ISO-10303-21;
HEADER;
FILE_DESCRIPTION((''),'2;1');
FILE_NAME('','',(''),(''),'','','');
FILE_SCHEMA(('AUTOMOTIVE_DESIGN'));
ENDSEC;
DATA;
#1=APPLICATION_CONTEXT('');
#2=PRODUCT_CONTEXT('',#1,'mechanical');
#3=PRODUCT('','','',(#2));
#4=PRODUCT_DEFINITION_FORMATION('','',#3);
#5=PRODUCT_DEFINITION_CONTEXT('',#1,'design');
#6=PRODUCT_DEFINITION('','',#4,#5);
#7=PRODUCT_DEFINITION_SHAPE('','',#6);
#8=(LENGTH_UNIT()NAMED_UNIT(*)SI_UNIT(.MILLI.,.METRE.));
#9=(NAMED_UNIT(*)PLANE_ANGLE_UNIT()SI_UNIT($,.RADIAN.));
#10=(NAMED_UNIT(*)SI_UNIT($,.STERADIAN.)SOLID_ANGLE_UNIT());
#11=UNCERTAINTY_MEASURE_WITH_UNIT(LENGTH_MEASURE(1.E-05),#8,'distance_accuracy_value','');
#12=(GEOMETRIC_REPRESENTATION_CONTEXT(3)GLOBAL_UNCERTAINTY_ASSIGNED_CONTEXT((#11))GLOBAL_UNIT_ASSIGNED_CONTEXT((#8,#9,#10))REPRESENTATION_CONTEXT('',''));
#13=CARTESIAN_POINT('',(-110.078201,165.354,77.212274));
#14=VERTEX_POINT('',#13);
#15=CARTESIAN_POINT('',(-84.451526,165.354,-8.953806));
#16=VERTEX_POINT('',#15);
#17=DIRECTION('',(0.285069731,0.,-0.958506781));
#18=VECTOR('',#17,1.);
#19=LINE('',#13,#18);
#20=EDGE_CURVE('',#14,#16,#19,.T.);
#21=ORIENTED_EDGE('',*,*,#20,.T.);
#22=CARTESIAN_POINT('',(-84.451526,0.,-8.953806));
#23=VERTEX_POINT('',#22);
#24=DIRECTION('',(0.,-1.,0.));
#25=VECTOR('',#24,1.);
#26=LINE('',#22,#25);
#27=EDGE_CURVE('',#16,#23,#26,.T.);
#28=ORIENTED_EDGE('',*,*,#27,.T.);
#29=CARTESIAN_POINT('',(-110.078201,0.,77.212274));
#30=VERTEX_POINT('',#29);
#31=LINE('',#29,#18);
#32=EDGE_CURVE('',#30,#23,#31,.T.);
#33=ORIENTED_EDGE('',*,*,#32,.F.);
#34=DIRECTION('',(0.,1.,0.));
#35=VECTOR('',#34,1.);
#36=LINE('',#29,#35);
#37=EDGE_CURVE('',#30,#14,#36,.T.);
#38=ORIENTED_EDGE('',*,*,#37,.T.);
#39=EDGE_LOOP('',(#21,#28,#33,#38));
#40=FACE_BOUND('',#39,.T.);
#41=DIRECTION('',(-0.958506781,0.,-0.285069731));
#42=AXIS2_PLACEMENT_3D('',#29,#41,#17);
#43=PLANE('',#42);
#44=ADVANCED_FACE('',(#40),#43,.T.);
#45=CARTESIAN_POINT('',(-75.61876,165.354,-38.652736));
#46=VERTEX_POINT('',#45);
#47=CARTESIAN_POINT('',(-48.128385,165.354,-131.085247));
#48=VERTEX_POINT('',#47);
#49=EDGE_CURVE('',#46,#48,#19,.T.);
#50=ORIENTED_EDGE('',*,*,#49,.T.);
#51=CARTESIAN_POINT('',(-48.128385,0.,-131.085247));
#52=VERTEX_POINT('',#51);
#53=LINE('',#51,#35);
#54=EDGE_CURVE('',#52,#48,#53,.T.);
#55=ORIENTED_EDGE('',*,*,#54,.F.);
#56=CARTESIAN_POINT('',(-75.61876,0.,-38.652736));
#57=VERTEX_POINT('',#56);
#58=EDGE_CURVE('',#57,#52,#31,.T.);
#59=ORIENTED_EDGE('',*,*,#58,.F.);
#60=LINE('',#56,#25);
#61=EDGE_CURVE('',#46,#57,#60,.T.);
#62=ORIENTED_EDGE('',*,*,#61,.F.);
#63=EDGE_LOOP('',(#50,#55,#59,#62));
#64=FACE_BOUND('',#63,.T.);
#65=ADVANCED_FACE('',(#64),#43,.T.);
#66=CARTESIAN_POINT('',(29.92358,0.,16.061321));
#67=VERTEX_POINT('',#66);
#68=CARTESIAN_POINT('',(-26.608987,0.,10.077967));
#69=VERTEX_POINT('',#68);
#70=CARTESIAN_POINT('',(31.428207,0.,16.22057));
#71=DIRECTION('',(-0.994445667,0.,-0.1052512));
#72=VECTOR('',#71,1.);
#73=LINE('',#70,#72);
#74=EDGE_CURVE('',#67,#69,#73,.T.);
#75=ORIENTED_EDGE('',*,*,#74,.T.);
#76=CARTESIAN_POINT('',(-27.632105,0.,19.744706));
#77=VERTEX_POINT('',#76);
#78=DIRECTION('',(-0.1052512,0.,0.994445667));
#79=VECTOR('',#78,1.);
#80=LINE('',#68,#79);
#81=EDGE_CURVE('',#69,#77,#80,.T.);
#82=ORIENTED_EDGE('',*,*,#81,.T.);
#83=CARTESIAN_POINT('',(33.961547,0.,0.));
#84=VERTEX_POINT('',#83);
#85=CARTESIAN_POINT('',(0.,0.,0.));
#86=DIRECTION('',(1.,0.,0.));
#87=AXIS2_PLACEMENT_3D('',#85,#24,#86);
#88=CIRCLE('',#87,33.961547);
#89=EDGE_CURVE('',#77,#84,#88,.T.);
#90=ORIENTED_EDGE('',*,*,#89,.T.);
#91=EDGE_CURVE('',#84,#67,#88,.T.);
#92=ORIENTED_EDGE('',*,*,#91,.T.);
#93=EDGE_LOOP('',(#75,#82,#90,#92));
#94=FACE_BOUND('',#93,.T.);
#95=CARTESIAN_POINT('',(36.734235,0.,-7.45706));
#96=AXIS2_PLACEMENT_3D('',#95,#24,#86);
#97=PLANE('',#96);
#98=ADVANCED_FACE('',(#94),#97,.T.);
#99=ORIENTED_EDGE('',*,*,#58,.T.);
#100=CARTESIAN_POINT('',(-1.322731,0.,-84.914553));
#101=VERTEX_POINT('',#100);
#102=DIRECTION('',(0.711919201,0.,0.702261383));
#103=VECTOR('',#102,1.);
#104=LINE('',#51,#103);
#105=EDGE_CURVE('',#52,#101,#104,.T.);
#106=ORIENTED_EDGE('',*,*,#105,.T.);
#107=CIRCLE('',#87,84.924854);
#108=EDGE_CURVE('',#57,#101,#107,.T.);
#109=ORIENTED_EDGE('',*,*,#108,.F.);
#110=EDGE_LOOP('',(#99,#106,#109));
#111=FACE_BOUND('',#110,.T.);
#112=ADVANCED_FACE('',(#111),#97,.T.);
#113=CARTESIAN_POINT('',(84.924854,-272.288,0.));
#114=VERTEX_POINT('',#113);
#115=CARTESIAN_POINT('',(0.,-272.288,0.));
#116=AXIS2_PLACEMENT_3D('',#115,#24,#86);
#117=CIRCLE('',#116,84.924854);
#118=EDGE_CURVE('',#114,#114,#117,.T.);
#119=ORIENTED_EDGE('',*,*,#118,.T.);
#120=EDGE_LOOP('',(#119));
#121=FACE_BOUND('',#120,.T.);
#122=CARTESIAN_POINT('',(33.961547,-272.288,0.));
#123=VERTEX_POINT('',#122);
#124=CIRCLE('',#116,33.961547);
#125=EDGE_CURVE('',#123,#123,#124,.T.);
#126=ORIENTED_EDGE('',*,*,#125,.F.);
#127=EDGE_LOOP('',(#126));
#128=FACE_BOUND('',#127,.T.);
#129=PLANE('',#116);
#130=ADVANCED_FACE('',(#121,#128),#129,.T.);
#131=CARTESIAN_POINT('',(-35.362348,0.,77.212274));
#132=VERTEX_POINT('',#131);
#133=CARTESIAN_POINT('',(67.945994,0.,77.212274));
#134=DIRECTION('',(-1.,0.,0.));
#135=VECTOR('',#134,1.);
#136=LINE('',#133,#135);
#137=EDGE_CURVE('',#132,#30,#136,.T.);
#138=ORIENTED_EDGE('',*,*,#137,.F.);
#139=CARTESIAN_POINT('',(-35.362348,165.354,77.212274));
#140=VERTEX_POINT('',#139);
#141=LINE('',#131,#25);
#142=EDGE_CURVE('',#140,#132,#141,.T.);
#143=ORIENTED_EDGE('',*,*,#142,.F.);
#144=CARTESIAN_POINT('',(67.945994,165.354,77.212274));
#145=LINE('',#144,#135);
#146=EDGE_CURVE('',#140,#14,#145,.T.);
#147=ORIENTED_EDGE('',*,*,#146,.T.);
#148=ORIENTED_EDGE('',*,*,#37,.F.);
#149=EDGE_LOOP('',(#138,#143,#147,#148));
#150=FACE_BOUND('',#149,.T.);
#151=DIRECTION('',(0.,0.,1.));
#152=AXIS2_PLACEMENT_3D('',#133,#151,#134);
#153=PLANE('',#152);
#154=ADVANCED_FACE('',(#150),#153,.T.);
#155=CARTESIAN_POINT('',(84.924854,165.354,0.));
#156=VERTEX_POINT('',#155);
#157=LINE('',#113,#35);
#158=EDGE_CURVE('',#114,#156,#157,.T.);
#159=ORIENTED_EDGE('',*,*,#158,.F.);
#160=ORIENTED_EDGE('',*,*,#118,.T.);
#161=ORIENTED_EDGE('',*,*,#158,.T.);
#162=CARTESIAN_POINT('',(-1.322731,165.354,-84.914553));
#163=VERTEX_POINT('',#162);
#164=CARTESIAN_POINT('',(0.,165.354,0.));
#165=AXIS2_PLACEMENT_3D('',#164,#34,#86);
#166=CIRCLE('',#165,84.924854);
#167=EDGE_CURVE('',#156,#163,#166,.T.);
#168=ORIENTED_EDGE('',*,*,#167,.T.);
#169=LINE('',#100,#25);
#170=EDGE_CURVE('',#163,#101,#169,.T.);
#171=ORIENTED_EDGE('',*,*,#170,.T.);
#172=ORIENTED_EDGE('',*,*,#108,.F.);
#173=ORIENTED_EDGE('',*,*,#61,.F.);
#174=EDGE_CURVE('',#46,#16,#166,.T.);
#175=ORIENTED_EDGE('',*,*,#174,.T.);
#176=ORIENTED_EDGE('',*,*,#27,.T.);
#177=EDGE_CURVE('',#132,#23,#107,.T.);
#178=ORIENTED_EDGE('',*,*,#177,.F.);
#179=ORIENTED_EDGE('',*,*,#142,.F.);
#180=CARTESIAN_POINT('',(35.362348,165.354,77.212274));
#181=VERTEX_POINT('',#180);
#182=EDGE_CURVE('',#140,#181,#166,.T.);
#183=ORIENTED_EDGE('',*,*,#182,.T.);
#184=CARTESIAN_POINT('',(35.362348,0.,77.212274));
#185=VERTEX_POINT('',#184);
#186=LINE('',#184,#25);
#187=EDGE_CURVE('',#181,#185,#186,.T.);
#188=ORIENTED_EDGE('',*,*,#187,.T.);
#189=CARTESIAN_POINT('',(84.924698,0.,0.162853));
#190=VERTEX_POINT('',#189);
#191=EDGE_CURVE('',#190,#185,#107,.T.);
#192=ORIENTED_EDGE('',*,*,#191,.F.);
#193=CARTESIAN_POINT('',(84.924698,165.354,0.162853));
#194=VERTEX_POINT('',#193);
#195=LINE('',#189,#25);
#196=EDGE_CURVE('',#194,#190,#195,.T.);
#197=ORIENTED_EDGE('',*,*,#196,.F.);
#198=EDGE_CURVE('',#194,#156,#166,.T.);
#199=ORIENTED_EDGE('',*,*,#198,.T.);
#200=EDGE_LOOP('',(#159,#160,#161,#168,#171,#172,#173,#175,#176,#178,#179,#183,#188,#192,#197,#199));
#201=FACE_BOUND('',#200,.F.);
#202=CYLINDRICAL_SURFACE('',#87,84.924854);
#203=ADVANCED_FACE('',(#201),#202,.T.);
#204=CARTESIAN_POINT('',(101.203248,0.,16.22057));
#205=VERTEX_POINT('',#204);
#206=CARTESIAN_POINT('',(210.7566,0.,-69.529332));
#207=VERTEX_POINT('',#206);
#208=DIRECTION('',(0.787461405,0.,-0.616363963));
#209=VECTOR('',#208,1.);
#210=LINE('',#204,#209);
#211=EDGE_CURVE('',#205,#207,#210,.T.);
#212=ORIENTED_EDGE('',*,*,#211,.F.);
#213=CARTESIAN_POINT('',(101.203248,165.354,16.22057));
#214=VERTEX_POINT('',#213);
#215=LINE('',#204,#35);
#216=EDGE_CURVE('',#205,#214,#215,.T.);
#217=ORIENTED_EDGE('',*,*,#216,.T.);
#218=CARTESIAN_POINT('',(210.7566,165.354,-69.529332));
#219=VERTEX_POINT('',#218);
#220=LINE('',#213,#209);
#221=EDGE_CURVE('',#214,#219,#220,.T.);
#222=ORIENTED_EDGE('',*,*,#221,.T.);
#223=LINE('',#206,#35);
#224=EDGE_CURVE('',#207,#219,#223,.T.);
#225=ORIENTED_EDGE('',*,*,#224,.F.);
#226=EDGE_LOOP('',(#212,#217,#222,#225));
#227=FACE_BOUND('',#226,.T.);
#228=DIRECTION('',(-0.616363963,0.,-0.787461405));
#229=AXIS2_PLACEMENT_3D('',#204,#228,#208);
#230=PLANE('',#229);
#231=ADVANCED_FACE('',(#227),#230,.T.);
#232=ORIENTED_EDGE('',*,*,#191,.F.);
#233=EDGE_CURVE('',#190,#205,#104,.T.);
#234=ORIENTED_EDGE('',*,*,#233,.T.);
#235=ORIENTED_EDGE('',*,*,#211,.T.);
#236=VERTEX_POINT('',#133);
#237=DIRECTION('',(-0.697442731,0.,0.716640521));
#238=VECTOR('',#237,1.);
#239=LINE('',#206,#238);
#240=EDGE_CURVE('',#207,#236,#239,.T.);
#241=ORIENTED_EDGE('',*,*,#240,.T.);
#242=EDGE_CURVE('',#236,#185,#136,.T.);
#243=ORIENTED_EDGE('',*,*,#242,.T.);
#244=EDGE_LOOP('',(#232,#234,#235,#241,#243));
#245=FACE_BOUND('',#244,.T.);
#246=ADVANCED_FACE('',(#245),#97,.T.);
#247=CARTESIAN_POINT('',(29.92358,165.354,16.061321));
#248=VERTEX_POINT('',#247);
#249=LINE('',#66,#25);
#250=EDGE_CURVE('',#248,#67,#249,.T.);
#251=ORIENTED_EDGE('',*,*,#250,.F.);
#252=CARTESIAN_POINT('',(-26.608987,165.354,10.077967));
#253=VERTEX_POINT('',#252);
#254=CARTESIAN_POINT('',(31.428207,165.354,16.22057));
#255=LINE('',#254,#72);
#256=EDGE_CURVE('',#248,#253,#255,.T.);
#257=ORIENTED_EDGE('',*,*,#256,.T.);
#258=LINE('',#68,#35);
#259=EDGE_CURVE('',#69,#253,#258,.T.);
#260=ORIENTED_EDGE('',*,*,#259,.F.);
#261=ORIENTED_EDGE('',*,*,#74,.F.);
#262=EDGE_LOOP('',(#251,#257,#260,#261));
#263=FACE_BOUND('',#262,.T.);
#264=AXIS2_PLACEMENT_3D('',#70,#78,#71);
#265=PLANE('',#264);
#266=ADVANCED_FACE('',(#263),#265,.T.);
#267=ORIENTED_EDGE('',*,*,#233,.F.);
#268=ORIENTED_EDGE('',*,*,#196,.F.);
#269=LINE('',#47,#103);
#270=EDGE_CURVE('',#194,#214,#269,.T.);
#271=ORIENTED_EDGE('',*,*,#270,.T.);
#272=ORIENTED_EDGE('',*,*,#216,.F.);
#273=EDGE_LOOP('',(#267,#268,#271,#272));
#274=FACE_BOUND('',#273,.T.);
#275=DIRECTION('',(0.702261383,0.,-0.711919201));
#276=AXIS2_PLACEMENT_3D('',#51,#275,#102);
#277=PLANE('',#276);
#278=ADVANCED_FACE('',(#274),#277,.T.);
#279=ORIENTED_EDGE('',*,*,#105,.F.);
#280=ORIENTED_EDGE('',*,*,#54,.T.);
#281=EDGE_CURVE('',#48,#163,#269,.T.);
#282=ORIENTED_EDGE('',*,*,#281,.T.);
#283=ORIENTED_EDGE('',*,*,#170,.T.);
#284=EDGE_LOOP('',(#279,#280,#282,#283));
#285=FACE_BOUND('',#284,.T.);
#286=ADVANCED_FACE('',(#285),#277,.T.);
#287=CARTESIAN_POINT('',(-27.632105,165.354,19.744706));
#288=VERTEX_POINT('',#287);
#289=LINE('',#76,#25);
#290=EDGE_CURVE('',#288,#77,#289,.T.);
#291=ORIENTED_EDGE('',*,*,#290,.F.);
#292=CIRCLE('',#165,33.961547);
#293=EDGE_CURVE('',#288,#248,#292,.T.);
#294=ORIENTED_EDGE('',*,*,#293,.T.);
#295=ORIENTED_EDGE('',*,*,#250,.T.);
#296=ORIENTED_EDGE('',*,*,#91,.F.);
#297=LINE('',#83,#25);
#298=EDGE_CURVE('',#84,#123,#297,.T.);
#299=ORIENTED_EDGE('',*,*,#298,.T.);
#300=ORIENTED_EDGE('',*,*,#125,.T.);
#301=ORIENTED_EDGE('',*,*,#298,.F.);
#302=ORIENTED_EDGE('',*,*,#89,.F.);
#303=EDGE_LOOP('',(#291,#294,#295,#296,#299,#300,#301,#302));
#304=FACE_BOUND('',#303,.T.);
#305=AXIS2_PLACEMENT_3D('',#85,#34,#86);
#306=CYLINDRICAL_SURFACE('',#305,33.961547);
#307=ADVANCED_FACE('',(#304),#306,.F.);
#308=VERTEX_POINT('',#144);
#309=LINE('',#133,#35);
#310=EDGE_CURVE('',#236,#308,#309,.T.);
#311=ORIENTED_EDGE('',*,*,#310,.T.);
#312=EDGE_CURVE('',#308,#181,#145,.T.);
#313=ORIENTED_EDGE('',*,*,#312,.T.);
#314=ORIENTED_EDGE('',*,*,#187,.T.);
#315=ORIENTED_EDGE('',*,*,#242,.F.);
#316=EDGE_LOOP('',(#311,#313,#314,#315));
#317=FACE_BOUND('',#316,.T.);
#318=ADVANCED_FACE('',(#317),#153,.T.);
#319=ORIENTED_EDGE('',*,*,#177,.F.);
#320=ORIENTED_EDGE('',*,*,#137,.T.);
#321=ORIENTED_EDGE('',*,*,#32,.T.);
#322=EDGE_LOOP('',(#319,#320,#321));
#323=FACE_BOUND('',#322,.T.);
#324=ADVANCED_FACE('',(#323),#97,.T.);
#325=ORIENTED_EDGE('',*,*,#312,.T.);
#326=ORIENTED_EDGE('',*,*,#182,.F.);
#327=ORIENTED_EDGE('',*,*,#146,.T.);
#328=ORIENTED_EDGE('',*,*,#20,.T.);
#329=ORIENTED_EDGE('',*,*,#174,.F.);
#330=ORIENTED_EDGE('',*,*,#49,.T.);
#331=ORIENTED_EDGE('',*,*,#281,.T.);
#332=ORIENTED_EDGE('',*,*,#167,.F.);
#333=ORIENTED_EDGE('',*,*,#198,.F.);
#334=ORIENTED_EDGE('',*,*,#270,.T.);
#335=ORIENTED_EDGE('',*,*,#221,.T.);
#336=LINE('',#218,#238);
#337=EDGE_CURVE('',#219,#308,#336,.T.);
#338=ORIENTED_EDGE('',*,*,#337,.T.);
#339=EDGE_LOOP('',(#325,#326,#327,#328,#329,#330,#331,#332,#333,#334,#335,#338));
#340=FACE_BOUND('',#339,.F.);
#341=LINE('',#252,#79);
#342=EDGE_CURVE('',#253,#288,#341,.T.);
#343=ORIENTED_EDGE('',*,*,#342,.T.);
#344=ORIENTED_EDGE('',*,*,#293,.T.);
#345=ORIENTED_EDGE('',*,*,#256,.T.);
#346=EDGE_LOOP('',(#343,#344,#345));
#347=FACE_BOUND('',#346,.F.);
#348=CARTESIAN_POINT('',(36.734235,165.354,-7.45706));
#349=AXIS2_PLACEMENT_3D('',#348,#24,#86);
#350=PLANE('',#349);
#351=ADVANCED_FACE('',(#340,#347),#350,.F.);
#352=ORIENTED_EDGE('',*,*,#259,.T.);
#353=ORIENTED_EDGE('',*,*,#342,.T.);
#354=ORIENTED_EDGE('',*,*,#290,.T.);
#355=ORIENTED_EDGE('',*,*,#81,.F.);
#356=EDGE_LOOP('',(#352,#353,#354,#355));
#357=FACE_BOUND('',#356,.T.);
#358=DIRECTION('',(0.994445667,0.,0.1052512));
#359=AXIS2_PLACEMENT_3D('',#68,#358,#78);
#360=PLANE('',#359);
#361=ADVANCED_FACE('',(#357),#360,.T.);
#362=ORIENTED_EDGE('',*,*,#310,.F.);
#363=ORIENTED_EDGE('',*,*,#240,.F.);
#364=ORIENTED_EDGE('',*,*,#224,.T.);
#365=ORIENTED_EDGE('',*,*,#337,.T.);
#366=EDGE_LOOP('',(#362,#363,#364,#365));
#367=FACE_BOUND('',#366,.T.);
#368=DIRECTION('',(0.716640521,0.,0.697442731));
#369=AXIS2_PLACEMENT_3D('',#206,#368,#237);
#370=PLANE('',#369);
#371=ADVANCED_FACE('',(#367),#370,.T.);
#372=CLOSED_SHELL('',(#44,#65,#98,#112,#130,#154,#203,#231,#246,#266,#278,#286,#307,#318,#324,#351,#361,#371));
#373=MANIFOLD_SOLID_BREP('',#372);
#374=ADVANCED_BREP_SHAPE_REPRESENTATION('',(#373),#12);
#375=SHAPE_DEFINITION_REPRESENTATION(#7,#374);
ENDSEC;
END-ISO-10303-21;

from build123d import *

# Parameters (mm, degrees)
F0_R        = 84.9248544657
F0_R_2      = 33.9615466557
F1_DEPTH    = 272.288
F1_FACE_R   = 84.9248544657
F1_FACE_R_2 = 33.9615466557
F3_DEPTH    = 165.354


with BuildPart() as f1:
    # F0 (on Front) → F1 (new body)
    with BuildSketch(Plane.XZ):
        Circle(F0_R)
        Circle(F0_R_2, mode=Mode.SUBTRACT)
    extrude(amount=F1_DEPTH)

    # F2 (on Front) + F1_face (on face) → F3 (join)
    with BuildSketch(Plane.XZ):
        Polygon((-48.1283850968, -131.0852468014), (101.2032479048, 16.2205696106), (210.7565999031, -69.5293322206), (67.9459944367, 77.2122740746), (-110.0782006979, 77.2122740746), align=None)
        Polygon((30.7434209562, 55.7709210088), (31.428206712, 16.2205696106), (-26.60898678, 10.0779673085), (-30.7561735016, 49.2618614253), align=None, mode=Mode.SUBTRACT)
    with BuildSketch(Plane(origin=(0, 0, 0), x_dir=(1, 0, 0), z_dir=(0, 1, 0))):
        Circle(F1_FACE_R)
        Circle(F1_FACE_R_2, mode=Mode.SUBTRACT)
    extrude(amount=-F3_DEPTH, dir=(0, -1, 0))


solid = f1.part
